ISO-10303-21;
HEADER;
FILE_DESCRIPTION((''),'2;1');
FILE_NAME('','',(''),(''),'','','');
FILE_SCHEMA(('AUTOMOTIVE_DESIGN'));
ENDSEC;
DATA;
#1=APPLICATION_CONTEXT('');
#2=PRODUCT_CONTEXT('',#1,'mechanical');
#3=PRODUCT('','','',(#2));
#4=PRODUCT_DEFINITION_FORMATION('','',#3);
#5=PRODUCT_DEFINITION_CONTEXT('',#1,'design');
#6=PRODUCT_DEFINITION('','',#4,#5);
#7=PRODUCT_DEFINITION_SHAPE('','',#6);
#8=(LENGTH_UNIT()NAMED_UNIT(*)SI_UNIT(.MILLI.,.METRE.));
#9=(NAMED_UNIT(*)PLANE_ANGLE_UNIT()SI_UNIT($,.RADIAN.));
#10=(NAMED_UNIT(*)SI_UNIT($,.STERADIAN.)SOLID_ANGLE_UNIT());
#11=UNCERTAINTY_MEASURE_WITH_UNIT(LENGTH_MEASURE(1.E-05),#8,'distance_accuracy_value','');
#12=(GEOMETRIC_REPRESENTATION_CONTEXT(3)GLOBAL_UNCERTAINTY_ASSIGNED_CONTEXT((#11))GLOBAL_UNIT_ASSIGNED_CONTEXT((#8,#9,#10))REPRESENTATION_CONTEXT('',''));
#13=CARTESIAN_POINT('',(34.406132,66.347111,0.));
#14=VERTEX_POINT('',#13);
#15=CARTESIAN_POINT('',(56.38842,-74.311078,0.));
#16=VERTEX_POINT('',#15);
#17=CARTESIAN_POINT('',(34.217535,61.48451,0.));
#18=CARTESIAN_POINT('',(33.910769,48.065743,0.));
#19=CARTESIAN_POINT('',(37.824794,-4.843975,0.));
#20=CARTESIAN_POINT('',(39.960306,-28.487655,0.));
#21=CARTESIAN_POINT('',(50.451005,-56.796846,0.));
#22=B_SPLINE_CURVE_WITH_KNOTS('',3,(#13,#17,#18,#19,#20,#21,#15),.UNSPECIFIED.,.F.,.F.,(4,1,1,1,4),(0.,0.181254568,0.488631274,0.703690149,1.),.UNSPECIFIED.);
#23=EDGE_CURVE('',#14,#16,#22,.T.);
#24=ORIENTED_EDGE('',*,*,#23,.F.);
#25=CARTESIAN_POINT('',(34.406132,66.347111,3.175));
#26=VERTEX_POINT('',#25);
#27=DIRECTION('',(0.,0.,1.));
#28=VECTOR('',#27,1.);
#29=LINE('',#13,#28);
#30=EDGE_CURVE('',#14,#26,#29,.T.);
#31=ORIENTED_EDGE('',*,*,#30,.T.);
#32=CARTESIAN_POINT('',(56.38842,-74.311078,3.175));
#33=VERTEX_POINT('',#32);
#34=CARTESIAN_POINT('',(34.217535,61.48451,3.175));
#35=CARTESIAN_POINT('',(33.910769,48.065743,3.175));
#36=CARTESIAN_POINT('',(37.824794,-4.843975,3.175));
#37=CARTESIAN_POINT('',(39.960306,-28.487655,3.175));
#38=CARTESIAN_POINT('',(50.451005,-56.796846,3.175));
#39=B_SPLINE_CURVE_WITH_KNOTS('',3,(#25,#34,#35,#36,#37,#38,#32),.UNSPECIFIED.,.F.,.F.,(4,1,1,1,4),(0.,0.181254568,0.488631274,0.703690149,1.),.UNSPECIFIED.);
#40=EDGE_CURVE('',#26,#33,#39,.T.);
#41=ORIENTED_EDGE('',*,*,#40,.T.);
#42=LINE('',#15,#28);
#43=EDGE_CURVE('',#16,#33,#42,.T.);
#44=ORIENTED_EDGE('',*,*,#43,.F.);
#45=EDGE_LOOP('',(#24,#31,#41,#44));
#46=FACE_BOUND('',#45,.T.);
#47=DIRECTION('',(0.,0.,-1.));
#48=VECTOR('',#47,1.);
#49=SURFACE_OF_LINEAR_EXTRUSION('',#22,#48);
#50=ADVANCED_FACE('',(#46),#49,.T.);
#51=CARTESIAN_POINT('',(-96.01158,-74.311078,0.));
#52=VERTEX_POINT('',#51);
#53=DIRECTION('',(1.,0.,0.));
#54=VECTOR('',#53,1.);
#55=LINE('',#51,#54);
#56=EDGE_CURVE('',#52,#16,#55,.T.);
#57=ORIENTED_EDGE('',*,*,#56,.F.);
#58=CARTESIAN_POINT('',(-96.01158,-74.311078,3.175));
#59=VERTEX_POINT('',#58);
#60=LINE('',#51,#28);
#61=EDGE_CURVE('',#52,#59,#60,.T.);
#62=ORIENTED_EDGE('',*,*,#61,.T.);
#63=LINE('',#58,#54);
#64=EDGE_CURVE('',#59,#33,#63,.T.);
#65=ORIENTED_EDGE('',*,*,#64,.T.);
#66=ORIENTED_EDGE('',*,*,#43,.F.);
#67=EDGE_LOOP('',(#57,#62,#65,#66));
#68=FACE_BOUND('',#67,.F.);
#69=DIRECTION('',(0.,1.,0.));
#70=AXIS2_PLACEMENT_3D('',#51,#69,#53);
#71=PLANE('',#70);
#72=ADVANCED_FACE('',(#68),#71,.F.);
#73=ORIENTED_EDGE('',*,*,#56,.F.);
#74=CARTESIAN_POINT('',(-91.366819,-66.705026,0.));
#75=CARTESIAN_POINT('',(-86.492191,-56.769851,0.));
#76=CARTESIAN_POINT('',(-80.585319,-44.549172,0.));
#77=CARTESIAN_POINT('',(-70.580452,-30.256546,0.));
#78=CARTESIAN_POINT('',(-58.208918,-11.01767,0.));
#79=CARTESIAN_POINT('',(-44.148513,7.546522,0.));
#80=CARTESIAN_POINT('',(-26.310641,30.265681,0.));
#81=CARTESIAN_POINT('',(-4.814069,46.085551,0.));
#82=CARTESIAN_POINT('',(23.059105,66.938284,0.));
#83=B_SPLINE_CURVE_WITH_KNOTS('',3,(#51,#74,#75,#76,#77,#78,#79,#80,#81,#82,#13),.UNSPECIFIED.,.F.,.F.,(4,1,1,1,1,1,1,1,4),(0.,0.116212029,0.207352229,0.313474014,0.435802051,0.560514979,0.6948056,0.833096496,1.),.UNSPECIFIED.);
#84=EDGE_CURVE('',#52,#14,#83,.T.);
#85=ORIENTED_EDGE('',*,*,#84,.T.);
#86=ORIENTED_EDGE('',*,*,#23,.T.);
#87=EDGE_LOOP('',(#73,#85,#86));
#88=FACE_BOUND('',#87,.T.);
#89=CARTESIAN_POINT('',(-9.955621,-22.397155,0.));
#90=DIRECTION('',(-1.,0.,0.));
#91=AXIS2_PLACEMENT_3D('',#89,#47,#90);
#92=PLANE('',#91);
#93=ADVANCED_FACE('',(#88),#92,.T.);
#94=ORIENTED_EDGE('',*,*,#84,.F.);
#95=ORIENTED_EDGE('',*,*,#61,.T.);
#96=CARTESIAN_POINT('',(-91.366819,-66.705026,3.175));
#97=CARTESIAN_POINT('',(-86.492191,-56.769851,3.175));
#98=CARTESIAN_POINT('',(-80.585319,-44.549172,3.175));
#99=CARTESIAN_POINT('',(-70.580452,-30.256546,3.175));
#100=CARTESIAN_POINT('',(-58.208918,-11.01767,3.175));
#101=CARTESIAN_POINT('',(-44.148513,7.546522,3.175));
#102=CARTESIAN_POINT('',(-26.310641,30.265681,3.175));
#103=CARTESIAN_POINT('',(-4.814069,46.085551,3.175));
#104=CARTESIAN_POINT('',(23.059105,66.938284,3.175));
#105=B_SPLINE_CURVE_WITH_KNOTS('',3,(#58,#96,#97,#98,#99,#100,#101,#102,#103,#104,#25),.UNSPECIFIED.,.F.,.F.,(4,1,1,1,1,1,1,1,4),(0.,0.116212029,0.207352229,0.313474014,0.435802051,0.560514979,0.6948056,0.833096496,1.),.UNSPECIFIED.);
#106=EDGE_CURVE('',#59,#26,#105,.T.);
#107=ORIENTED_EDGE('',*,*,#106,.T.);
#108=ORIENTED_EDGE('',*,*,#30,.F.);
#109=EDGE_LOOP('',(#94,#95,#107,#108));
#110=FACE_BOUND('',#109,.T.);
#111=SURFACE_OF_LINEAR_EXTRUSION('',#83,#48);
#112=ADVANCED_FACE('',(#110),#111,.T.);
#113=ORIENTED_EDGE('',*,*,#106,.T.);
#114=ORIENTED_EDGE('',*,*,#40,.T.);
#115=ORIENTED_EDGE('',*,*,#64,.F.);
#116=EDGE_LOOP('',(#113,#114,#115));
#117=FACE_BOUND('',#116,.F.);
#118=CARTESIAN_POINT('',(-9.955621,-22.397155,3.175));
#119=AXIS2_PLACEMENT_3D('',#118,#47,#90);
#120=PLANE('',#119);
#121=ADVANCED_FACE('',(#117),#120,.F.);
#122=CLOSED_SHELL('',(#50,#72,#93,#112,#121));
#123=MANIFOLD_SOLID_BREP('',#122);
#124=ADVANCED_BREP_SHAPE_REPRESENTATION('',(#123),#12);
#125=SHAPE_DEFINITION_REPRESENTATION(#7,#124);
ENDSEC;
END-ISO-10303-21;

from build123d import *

# Parameters (mm, degrees)
F1_DEPTH = 3.175


with BuildPart() as f1:
    # F0 (on Top) → F1 (new body)
    with BuildSketch(Plane.XY):
        with BuildLine():
            add(Edge.make_bspline(
                [(-96.0115804038, -74.311077986), (-91.366818638, -66.705025857), (-86.4921908057, -56.7698509475), (-80.5853191896, -44.5491721116), (-70.580451913, -30.2565457062), (-58.2089181559, -11.0176702854), (-44.1485127499, 7.546522207), (-26.3106406043, 30.2656810546), (-4.8140693897, 46.0855510514), (23.0591052902, 66.9382841423), (34.4061315478, 66.3471112509)],
                knots=[0, 0, 0, 0, 0.1162120289, 0.2073522292, 0.3134740144, 0.4358020509, 0.560514979, 0.6948055997, 0.8330964957, 1, 1, 1, 1], degree=3))
            Line((-96.0115804038, -74.311077986), (56.3884195962, -74.311077986))
            add(Edge.make_bspline(
                [(34.4061315478, 66.3471112509), (34.2175351225, 61.4845104271), (33.9107685237, 48.0657430592), (37.8247936668, -4.8439747696), (39.9603064538, -28.4876551096), (50.4510053344, -56.7968459363), (56.3884195962, -74.311077986)],
                knots=[0, 0, 0, 0, 0.181254568, 0.4886312742, 0.7036901485, 1, 1, 1, 1], degree=3))
        make_face()
    extrude(amount=F1_DEPTH)


solid = f1.part
